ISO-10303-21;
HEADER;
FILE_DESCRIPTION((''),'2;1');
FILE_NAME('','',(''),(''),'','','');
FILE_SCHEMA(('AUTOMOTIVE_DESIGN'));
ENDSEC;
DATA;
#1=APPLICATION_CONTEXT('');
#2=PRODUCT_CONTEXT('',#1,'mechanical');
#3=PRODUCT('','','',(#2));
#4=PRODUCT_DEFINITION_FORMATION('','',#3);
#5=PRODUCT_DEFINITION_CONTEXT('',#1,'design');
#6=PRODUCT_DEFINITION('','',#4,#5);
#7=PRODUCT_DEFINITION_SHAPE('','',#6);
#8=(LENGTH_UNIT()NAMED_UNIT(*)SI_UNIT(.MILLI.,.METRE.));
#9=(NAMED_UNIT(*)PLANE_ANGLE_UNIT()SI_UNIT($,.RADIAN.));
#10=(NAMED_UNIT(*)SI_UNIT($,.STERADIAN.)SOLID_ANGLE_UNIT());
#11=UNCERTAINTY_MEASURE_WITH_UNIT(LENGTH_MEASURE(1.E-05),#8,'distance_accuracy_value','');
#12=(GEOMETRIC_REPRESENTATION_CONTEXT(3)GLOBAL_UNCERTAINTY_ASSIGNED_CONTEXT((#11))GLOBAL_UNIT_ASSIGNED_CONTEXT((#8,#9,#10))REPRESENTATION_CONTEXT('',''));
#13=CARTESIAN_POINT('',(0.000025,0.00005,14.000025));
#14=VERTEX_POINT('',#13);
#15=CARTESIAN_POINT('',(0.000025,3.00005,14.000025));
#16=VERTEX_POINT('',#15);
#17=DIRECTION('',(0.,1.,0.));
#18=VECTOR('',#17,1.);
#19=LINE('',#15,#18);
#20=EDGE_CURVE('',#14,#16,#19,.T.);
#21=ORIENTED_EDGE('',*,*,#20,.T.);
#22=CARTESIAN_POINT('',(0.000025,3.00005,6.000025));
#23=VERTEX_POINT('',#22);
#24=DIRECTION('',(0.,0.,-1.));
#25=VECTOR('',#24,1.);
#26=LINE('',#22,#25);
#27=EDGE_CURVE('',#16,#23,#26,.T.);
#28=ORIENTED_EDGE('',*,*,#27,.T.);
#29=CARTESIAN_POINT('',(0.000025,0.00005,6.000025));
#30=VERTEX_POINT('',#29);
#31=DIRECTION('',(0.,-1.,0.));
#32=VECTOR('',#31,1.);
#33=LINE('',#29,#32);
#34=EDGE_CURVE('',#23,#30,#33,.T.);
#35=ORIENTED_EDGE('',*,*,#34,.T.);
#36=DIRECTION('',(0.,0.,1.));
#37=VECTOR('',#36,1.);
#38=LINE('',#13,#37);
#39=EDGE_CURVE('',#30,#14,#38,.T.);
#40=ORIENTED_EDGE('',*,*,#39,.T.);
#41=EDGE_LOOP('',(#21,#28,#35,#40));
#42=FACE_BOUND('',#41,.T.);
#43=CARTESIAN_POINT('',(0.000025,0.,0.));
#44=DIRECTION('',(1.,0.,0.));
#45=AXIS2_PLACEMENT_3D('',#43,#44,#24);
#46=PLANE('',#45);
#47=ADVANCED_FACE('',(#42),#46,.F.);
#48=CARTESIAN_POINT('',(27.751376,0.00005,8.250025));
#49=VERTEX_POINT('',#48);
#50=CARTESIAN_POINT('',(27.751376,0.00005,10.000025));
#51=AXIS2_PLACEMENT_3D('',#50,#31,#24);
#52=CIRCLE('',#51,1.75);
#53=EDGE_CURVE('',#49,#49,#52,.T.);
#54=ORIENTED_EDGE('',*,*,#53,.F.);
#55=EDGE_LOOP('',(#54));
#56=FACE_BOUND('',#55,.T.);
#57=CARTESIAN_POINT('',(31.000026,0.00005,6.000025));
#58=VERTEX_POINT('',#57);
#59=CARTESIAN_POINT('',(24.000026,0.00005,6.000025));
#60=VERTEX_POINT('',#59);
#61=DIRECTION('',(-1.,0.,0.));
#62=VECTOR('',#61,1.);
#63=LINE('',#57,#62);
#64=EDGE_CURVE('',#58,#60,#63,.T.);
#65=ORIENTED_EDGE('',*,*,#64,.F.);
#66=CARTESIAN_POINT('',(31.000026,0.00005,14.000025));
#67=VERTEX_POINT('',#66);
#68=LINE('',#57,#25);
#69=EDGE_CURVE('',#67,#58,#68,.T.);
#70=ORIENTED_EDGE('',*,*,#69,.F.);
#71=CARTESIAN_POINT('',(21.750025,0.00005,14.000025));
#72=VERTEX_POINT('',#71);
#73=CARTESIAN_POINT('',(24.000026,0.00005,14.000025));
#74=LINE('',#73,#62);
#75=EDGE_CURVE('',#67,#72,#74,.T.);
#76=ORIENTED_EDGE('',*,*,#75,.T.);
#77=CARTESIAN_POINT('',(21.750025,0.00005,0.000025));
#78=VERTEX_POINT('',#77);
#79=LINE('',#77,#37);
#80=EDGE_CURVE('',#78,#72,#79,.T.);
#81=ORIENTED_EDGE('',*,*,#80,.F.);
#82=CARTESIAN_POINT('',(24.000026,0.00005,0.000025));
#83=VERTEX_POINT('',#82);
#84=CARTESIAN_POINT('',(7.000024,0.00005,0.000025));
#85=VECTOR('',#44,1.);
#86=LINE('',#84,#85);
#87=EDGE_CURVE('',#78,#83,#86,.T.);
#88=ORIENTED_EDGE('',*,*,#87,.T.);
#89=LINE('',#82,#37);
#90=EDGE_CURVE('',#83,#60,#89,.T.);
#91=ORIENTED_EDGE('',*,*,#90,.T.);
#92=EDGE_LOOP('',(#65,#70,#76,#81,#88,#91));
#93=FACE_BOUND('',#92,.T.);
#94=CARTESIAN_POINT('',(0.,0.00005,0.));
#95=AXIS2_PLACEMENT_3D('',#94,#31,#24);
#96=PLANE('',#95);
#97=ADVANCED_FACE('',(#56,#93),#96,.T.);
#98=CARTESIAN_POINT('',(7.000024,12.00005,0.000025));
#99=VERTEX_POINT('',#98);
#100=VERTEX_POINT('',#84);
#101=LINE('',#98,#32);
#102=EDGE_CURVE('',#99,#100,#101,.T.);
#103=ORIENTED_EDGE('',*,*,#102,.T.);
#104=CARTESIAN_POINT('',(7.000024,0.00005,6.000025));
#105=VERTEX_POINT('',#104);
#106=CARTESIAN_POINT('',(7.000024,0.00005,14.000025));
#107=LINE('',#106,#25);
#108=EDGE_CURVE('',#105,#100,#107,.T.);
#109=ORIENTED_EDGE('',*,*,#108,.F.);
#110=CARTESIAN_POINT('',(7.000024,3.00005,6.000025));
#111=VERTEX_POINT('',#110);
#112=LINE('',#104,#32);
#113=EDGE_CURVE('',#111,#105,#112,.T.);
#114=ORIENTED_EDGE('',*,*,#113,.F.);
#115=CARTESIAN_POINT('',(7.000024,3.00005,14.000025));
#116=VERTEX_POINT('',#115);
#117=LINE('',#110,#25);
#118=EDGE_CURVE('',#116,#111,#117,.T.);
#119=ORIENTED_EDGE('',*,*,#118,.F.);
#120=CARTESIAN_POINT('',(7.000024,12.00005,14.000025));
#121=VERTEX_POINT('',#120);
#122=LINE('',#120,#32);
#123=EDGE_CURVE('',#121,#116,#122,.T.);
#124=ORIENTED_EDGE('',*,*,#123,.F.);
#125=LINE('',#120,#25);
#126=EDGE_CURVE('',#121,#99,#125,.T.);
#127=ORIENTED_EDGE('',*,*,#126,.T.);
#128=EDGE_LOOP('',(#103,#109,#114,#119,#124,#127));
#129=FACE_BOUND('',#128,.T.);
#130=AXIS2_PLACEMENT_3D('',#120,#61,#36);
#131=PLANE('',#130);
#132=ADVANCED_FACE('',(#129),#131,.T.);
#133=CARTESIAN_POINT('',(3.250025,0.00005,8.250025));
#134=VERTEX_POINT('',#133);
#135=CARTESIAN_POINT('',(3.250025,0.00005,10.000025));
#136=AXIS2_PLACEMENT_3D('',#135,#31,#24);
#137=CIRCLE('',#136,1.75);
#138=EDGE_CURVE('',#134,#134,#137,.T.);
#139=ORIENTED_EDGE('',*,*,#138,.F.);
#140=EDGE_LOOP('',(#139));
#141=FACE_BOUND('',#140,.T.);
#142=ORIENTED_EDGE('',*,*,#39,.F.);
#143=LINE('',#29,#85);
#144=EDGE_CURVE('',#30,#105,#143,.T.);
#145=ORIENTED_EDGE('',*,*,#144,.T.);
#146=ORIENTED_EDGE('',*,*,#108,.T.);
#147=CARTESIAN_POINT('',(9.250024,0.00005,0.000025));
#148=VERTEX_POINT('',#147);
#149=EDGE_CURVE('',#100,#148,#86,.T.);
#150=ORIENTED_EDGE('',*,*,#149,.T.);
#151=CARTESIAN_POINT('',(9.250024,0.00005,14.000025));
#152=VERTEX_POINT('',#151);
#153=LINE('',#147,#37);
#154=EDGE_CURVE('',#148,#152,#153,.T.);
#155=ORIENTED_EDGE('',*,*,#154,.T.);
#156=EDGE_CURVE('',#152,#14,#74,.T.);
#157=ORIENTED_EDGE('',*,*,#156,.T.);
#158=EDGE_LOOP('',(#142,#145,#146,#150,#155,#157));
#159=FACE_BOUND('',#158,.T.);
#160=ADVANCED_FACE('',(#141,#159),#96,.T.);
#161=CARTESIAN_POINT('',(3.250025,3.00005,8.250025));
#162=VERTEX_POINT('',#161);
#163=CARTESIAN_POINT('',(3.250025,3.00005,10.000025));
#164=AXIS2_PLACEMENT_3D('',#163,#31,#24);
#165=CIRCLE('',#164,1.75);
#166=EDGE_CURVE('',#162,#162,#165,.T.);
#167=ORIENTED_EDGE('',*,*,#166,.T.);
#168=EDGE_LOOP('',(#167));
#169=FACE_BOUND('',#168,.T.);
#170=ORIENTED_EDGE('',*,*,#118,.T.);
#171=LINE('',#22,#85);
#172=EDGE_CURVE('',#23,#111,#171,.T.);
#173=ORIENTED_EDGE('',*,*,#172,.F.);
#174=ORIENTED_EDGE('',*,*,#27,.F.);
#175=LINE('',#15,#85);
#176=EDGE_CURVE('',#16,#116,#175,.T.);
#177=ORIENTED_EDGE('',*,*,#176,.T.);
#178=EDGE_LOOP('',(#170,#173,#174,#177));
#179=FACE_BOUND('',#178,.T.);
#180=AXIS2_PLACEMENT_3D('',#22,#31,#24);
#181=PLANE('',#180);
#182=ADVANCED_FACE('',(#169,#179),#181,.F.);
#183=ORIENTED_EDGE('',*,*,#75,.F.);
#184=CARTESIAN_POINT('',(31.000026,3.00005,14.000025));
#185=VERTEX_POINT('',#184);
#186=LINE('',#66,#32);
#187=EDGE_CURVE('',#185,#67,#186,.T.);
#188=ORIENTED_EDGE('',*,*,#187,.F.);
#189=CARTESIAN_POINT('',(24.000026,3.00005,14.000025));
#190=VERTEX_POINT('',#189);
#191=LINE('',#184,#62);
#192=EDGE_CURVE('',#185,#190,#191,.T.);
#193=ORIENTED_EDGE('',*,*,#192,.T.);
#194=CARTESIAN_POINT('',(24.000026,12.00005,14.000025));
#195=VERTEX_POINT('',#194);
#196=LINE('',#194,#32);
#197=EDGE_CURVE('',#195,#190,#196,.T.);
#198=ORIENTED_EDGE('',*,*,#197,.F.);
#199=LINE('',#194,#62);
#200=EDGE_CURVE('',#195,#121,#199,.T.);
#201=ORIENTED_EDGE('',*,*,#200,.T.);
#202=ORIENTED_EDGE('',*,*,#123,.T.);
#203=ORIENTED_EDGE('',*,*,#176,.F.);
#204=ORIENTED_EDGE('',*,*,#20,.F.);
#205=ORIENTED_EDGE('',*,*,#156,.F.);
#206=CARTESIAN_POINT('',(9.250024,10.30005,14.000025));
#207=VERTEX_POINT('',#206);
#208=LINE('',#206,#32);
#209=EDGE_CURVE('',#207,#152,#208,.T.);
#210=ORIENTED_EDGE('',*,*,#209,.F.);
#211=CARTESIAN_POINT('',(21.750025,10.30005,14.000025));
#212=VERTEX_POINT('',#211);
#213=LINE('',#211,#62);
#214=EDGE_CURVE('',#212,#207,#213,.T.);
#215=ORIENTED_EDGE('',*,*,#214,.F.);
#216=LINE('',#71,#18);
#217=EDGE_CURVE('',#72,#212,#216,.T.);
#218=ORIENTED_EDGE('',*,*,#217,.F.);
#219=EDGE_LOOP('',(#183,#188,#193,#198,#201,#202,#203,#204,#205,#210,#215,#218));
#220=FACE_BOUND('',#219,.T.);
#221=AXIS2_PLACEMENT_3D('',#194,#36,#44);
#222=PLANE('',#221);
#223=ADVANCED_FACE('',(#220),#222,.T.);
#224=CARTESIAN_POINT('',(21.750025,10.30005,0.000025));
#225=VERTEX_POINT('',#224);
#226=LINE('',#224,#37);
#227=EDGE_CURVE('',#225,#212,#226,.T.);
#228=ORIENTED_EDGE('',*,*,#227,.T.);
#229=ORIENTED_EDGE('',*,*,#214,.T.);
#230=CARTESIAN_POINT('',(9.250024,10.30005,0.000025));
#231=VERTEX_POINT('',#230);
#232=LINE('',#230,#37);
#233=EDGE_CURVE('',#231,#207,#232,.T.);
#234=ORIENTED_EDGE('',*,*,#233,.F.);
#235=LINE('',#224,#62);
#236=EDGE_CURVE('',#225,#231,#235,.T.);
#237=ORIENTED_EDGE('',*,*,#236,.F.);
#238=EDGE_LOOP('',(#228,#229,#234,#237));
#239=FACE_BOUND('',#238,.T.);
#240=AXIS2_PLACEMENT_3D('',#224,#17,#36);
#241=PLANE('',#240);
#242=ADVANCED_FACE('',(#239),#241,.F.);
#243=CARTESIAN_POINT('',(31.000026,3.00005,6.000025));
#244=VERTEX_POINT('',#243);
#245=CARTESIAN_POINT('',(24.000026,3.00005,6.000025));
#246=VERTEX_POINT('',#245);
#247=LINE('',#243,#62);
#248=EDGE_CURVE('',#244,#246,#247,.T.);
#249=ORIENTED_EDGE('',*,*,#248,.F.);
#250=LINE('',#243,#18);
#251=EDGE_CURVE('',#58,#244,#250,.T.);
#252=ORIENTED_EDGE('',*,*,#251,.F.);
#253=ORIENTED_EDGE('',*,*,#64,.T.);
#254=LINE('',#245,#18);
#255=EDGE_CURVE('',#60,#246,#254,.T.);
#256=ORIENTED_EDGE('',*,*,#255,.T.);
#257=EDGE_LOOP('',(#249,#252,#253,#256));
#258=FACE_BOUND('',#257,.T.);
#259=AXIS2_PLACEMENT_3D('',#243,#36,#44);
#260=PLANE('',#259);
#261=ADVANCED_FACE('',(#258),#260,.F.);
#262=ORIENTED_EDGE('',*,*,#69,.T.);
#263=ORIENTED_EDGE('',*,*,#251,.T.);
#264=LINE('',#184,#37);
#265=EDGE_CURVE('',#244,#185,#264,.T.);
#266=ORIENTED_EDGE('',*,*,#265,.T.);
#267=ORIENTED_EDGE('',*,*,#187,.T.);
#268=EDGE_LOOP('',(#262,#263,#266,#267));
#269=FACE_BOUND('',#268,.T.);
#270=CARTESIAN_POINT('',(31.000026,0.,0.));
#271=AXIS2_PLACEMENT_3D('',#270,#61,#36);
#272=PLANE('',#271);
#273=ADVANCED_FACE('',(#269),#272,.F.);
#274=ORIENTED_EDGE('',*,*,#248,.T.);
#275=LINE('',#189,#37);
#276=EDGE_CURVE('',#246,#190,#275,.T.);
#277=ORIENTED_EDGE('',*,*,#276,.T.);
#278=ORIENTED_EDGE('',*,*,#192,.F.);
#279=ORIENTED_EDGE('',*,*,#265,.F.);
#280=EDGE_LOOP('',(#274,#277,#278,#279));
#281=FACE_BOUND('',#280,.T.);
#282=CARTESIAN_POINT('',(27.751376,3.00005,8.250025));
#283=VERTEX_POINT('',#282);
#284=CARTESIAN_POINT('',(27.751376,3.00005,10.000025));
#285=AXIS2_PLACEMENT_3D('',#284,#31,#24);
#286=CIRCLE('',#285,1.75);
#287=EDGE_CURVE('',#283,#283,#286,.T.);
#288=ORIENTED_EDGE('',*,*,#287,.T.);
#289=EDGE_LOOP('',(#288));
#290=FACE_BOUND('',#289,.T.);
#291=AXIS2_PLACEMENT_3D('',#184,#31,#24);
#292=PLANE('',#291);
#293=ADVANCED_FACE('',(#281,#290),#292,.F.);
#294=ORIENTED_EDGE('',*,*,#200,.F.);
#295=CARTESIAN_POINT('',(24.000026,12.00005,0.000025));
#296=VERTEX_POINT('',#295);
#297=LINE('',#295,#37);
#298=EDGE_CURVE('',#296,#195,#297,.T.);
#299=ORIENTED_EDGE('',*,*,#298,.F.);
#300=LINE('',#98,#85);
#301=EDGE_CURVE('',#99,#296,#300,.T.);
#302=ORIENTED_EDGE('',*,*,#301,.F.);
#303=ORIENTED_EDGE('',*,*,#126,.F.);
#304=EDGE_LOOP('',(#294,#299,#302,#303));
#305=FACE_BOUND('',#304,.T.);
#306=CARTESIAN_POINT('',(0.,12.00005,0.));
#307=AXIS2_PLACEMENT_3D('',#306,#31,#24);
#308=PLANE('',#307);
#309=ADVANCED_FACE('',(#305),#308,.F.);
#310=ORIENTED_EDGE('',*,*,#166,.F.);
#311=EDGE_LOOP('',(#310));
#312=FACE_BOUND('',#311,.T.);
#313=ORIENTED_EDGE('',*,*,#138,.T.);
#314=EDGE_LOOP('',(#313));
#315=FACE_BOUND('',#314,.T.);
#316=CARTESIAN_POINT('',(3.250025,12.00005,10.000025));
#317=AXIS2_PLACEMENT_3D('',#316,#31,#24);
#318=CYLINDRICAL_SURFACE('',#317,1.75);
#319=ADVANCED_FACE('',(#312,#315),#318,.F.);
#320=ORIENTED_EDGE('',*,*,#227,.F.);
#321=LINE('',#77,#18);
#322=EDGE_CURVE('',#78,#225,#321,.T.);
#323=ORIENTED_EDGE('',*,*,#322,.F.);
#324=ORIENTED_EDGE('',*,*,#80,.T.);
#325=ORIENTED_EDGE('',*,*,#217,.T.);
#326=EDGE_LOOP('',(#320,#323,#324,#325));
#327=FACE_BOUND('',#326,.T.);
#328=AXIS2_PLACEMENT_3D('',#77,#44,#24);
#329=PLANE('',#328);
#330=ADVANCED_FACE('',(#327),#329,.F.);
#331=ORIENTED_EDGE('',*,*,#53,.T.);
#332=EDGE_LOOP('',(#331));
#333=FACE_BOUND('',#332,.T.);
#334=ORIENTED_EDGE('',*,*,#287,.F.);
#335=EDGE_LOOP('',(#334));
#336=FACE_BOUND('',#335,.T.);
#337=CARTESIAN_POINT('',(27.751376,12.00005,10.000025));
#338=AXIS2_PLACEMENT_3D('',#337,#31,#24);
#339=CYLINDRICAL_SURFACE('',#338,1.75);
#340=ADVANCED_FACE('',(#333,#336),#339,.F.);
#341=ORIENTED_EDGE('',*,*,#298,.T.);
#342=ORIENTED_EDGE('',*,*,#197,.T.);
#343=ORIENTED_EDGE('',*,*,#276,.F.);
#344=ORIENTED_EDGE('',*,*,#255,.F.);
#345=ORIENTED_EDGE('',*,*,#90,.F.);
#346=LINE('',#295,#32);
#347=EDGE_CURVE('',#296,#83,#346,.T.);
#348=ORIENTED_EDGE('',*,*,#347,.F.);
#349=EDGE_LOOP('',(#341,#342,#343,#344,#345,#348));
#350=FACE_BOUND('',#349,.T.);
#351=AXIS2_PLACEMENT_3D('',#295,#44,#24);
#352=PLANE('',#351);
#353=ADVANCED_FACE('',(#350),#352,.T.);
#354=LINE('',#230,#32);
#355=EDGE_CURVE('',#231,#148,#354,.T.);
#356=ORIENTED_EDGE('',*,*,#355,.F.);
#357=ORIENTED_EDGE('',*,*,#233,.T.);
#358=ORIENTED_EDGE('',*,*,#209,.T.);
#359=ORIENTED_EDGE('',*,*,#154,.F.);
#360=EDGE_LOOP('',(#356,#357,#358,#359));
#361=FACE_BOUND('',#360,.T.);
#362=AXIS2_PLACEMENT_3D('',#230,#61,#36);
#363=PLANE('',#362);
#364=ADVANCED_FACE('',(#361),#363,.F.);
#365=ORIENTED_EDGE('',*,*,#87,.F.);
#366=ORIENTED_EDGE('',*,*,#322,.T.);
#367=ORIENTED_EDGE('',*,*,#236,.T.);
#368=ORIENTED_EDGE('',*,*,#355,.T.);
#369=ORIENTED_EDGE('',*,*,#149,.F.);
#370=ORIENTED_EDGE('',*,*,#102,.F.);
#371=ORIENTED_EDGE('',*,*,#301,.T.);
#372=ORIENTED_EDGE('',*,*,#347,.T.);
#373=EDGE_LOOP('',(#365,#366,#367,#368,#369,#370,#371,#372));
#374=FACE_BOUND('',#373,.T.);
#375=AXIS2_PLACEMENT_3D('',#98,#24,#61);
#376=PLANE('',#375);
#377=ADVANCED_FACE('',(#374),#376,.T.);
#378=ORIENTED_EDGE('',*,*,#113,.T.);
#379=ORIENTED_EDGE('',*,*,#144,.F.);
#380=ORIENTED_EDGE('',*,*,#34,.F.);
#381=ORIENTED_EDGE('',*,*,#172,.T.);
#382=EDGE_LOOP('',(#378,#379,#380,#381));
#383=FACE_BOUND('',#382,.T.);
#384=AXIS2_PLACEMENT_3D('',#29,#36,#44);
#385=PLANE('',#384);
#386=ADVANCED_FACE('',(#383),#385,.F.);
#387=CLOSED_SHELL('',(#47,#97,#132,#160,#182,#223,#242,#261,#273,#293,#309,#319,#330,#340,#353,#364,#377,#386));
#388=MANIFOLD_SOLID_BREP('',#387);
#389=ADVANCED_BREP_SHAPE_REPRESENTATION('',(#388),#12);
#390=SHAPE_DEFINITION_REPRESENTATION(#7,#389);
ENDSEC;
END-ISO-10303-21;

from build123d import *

# Parameters (mm, degrees)
ESBO_O1_W                = 17.000001856
ESBO_O1_H                = 13.999999967
RESSALTO_EXTRUS_O1_DEPTH = 12.000000396
ESBO_O2_W                = 12.500001117
ESBO_O2_H                = 10.30000049
CORTE_EXTRUS_O1_DEPTH    = 14.999999966
ESBO_O3_W                = 7.999999915
ESBO_O3_H                = 3.000000085
RESSALTO_EXTRUS_O2_DEPTH = 6.999999285
ESBO_O4_R                = 1.75
CORTE_EXTRUS_O2_DEPTH    = 13.000000396
ESBO_O5_W                = 7.999999915
ESBO_O5_H                = 3.000000085
RESSALTO_EXTRUS_O3_DEPTH = 6.999999285
ESBO_O6_R                = 1.75
CORTE_EXTRUS_O3_DEPTH    = 13.000000396


with BuildPart() as part:
    # Esboço1 → Ressalto-extrusão1 (new body)
    with BuildSketch(Plane.XZ.offset(-5e-05)):
        with Locations((15.500025358, 7.000024663)):
            Rectangle(ESBO_O1_W, ESBO_O1_H)
    extrude(amount=-RESSALTO_EXTRUS_O1_DEPTH)

    # Esboço2 → Corte-extrusão1 (cut, through all)
    with BuildSketch(Plane.XY.offset(14.000024647)):
        with Locations((15.500024893, 5.150050245)):
            Rectangle(ESBO_O2_W, ESBO_O2_H)
    extrude(amount=-CORTE_EXTRUS_O1_DEPTH, mode=Mode.SUBTRACT)

    # Esboço3 → Ressalto-extrusão2 (add)
    with BuildSketch(Plane.ZY.offset(-7.00002443)):
        with Locations((10.00002469, 1.500050043)):
            Rectangle(ESBO_O3_W, ESBO_O3_H)
    extrude(amount=RESSALTO_EXTRUS_O2_DEPTH)

    # Esboço4 → Corte-extrusão2 (cut, through all)
    with BuildSketch(Plane.XZ.offset(-5e-05)):
        with Locations((3.250025213, 10.000025168)):
            Circle(ESBO_O4_R)
    extrude(amount=-CORTE_EXTRUS_O2_DEPTH, mode=Mode.SUBTRACT)

    # Esboço5 → Ressalto-extrusão3 (add)
    with BuildSketch(Plane(origin=(24.000026286, 0, 0), x_dir=(0, 0, -1), z_dir=(1, 0, 0))):
        with Locations((-10.00002469, 1.500050043)):
            Rectangle(ESBO_O5_W, ESBO_O5_H)
    extrude(amount=RESSALTO_EXTRUS_O3_DEPTH)

    # Esboço6 → Corte-extrusão3 (cut, through all)
    with BuildSketch(Plane.XZ.offset(-5e-05)):
        with Locations((27.751375675, 10.000025168)):
            Circle(ESBO_O6_R)
    extrude(amount=-CORTE_EXTRUS_O3_DEPTH, mode=Mode.SUBTRACT)


solid = part.part
